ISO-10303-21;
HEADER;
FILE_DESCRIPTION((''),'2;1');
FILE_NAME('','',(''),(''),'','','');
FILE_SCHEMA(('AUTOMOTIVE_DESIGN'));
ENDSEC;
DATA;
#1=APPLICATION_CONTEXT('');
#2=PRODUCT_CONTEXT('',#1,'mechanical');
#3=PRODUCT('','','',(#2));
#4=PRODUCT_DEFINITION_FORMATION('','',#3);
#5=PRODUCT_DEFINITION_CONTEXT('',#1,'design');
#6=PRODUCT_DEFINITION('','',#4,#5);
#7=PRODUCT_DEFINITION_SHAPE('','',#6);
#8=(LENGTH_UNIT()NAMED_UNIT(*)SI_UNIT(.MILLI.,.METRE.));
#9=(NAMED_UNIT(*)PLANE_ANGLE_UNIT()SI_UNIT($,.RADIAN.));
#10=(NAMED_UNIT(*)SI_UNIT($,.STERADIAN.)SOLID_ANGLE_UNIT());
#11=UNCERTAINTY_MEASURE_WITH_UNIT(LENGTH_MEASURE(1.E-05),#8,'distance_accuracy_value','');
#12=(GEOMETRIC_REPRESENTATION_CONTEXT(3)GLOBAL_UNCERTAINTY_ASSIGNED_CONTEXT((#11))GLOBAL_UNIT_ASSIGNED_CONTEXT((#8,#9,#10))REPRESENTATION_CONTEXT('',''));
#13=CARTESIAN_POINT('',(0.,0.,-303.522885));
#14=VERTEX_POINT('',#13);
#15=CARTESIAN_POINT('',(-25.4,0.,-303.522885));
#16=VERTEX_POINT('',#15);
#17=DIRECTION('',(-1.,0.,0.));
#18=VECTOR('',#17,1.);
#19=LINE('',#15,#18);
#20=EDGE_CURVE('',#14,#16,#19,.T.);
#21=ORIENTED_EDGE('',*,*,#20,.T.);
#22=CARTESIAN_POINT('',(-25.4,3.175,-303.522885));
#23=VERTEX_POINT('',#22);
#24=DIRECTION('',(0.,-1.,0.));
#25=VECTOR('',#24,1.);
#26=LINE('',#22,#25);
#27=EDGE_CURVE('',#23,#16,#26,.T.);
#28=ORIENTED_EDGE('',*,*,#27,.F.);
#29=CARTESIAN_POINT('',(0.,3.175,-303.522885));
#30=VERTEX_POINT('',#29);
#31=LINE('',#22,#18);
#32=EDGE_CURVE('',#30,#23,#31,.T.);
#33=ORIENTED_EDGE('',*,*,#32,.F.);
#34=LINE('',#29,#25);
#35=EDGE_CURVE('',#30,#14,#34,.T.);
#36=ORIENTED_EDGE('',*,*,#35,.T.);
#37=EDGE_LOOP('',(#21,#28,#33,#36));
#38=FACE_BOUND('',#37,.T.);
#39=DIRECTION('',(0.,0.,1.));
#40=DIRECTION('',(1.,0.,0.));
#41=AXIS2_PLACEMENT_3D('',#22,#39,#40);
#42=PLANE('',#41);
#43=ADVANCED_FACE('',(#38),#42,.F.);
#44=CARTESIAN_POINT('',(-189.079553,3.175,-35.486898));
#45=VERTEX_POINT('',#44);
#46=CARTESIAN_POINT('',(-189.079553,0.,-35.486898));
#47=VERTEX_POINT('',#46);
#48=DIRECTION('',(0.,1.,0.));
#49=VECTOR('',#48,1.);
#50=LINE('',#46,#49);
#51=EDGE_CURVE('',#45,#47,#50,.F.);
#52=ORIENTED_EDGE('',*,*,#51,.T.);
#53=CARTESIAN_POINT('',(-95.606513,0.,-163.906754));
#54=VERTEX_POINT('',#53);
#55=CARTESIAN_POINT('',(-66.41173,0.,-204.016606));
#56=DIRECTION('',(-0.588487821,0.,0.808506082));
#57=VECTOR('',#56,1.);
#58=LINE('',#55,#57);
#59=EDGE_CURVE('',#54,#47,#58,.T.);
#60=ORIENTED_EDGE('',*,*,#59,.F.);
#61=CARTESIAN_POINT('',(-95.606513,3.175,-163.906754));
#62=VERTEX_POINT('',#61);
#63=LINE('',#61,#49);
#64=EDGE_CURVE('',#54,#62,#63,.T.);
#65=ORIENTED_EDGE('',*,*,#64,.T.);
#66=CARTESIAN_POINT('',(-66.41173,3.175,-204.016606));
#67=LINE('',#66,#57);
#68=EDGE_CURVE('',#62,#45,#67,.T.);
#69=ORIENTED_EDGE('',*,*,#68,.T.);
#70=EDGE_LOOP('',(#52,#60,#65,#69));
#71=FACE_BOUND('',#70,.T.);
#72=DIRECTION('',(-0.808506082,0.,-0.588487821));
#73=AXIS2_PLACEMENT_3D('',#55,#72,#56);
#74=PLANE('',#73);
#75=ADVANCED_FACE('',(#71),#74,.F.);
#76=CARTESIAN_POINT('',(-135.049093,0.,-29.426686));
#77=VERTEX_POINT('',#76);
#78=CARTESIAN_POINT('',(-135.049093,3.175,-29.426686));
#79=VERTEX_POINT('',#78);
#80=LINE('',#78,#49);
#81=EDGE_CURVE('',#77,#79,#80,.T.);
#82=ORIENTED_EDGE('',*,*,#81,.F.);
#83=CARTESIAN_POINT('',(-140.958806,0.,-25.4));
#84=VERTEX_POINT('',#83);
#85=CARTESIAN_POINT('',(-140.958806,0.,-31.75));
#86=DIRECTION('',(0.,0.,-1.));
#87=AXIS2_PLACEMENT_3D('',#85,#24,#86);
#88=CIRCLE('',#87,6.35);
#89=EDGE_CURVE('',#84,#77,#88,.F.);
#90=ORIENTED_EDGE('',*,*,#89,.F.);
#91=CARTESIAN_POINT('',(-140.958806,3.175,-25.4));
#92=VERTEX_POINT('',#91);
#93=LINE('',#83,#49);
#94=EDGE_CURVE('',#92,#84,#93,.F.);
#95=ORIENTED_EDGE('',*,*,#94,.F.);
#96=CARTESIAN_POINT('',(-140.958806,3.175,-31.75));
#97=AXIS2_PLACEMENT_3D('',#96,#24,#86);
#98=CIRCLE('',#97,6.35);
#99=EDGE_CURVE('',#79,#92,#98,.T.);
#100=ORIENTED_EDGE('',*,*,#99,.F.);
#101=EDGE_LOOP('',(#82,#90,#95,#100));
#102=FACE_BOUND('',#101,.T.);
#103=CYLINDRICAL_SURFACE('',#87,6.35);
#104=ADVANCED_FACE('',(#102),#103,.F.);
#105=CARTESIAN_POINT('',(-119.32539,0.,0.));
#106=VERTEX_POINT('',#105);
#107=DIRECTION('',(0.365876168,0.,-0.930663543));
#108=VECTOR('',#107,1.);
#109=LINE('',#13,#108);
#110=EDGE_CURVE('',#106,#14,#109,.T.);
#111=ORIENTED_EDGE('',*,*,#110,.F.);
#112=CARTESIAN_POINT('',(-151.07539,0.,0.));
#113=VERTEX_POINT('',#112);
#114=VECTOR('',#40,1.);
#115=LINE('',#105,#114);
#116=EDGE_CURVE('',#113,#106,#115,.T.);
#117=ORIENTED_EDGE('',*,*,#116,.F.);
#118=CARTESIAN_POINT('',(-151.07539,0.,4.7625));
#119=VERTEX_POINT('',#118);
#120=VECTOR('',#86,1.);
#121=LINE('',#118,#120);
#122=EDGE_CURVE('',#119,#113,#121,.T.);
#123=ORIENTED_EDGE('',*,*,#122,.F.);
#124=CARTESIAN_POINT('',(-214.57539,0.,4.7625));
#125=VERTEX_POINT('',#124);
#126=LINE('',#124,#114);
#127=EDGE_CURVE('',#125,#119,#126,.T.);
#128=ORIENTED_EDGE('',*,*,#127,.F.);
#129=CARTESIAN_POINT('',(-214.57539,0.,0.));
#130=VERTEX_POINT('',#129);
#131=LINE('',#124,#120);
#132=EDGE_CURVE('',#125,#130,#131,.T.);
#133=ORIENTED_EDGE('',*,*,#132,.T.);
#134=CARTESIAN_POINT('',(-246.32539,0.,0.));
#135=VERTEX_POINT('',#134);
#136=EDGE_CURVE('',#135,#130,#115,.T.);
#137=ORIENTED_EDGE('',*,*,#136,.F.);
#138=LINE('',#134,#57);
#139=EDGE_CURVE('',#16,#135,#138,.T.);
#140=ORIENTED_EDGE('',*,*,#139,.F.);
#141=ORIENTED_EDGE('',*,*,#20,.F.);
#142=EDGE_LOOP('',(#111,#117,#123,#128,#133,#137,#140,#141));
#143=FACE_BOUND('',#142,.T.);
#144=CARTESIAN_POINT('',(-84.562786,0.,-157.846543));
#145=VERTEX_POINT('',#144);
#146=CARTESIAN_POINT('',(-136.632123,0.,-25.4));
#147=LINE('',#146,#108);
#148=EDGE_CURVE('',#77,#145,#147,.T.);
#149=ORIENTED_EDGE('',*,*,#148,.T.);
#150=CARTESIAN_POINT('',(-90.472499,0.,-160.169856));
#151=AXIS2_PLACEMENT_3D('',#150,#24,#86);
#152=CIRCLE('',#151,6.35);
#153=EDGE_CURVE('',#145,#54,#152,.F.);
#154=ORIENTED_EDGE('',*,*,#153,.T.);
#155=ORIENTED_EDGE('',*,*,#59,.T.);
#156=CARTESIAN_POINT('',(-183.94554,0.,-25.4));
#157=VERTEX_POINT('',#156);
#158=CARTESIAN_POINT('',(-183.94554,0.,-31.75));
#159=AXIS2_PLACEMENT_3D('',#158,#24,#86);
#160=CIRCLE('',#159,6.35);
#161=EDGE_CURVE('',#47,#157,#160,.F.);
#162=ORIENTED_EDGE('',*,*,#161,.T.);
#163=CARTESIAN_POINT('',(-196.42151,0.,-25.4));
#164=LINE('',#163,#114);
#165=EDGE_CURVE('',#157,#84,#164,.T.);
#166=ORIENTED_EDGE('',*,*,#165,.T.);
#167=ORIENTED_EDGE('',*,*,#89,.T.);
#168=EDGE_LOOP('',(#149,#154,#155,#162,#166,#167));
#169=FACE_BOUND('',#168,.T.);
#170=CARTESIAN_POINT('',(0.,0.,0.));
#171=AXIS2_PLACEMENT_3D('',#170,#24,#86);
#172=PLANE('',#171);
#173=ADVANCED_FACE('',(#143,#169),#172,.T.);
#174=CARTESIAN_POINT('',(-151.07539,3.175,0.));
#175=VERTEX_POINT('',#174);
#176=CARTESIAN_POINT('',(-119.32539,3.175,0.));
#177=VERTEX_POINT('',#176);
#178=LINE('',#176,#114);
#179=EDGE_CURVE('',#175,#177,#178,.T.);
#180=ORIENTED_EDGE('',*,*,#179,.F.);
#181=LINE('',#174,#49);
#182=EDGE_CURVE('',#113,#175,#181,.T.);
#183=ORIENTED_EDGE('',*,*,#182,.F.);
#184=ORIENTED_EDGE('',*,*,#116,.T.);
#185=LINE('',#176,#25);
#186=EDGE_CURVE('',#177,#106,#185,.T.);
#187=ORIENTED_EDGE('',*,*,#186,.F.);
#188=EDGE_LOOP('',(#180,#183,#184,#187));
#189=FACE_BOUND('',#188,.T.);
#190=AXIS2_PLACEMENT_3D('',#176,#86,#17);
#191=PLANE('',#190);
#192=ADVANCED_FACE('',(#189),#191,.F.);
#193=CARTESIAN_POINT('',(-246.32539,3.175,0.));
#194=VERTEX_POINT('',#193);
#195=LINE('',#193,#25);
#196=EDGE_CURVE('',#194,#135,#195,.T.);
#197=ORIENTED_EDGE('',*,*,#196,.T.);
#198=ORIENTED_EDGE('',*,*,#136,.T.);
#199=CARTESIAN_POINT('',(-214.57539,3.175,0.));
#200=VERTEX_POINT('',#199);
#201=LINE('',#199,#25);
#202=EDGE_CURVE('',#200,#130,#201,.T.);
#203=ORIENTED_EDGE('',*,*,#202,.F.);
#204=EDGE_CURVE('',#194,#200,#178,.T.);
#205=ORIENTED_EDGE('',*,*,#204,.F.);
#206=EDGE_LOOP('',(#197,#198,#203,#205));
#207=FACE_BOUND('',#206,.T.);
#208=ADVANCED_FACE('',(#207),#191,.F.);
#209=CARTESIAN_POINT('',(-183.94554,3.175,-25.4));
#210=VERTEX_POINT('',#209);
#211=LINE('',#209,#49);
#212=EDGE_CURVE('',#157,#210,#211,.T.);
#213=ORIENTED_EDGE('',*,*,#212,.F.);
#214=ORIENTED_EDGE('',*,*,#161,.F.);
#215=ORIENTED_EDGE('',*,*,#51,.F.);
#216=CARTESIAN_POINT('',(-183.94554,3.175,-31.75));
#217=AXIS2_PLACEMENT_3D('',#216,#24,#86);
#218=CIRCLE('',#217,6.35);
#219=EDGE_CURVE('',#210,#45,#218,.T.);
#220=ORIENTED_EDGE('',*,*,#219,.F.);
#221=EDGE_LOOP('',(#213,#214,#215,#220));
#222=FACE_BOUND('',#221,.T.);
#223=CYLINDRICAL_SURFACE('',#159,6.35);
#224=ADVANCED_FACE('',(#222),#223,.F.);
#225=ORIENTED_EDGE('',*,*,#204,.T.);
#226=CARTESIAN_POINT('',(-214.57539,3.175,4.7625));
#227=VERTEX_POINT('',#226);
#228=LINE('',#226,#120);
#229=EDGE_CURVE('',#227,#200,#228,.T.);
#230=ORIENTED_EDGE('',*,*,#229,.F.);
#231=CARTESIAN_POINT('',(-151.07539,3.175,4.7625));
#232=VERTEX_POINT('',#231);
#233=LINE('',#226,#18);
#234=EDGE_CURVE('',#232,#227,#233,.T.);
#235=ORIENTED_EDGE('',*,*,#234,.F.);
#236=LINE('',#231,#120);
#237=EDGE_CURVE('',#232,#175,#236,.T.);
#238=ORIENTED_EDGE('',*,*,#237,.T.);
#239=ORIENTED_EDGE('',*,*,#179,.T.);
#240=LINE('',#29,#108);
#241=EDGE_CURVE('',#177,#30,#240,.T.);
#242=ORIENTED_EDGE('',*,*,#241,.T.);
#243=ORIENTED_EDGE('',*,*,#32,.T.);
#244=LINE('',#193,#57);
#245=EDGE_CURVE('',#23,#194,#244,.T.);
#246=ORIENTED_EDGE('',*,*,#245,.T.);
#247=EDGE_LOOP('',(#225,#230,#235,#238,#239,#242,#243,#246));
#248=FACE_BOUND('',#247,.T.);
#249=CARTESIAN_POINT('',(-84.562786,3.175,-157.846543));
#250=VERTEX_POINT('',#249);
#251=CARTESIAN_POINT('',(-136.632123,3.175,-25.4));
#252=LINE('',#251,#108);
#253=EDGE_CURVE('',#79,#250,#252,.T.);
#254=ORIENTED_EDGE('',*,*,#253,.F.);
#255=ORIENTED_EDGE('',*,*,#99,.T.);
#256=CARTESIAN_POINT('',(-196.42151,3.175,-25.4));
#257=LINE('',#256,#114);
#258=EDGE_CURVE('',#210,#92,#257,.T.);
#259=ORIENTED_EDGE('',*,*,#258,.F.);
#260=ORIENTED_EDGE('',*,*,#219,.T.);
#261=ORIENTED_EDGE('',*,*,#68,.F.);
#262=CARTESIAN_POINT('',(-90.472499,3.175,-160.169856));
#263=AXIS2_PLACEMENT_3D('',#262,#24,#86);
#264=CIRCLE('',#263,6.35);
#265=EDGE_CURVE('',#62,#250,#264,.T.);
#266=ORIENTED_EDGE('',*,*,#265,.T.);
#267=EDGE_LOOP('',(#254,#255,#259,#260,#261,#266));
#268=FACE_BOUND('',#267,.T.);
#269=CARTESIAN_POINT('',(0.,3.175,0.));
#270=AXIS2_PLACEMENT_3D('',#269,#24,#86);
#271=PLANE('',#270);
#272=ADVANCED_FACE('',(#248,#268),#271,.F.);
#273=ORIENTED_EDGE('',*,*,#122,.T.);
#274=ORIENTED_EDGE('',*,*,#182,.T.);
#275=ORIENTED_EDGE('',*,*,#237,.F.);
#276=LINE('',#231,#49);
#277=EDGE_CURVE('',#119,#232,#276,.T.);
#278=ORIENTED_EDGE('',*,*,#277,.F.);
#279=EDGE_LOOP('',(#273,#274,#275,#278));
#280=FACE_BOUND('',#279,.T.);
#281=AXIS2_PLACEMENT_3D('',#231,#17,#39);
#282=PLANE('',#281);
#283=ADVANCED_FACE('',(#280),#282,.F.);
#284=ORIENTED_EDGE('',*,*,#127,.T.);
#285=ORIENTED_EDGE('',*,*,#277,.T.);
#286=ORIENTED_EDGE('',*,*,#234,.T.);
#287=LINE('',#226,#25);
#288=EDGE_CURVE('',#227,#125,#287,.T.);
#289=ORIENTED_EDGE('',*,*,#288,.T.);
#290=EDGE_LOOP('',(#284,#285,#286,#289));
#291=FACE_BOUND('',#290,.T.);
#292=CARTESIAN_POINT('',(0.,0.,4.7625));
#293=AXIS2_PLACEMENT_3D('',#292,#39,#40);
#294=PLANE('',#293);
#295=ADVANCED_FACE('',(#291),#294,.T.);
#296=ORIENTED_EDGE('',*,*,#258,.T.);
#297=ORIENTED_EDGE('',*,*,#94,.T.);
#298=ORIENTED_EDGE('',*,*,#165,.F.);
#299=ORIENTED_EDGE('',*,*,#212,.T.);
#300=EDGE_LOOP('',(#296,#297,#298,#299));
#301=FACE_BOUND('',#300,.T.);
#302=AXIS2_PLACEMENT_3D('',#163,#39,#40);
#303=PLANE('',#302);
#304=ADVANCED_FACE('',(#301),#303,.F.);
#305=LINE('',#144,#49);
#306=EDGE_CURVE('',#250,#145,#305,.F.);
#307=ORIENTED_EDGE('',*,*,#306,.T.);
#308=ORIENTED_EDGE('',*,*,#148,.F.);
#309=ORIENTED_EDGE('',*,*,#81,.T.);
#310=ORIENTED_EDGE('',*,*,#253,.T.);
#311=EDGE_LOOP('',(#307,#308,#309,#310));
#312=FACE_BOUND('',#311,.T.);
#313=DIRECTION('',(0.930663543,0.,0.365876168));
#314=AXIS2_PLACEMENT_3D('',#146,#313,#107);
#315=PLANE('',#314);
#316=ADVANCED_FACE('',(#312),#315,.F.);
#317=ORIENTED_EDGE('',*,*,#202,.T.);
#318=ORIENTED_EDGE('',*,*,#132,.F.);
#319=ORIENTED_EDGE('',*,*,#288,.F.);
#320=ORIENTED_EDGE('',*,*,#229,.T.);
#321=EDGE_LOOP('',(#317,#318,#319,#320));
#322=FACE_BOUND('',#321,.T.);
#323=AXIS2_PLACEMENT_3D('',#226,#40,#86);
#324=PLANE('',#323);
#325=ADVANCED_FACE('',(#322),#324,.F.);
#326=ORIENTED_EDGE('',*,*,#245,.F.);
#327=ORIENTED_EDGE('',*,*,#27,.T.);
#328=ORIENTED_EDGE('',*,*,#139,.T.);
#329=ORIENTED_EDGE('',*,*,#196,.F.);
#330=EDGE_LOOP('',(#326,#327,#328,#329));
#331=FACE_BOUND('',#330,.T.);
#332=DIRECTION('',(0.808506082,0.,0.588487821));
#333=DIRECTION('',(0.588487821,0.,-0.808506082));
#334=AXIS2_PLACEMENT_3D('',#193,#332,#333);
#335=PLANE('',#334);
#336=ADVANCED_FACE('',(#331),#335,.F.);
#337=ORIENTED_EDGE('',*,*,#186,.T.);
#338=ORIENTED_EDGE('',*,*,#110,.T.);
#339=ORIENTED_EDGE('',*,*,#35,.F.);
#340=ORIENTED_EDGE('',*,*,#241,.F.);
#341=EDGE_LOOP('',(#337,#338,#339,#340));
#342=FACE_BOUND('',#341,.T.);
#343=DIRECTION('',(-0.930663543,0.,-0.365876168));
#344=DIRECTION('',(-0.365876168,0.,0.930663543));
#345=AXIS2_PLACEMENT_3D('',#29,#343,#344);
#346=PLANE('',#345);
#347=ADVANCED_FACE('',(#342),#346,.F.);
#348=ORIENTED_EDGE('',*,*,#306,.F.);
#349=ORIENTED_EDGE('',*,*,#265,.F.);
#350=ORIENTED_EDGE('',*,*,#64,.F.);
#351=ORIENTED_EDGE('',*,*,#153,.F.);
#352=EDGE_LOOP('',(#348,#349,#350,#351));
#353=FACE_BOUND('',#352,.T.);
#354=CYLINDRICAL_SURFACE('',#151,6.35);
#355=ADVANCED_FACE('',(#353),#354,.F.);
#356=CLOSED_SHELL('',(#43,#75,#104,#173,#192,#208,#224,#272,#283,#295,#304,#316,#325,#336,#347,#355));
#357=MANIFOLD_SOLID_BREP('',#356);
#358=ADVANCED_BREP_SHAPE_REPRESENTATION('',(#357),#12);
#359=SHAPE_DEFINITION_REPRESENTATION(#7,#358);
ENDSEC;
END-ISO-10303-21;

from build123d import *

# Parameters (mm, degrees)
BOSS_EXTRUDE1_DEPTH = 3.175
CUT_EXTRUDE1_DEPTH  = 3.175
FILLET1_R           = 6.35
SKETCH3_W           = 63.5
SKETCH3_H           = 3.175
BOSS_EXTRUDE2_DEPTH = 4.7625


with BuildPart() as part:
    # Sketch1 → Boss-Extrude1 (new body)
    with BuildSketch(Plane(origin=(0, 0, 0), x_dir=(1, 0, 0), z_dir=(0, 1, 0))):
        Polygon((-119.32539, 0), (-246.32539, 0), (-25.4, 303.52288513), (0, 303.52288513), align=None)
    extrude(amount=BOSS_EXTRUDE1_DEPTH)

    # Sketch2 → Cut-Extrude1 (cut)
    with BuildSketch(Plane(origin=(0, 3.175, 0), x_dir=(1, 0, 0), z_dir=(0, 1, 0))):
        Polygon((-136.632122874, 25.4), (-66.411730064, 204.016606412), (-196.421509772, 25.4), align=None)
    extrude(amount=-CUT_EXTRUDE1_DEPTH, mode=Mode.SUBTRACT)

    # Fillet1
    fillet1_edges = [part.edges().sort_by_distance(p)[0] for p in [
        (-136.632122874, 1.5875, -25.4),
        (-196.421509772, 1.5875, -25.4),
        (-66.411730064, 1.5875, -204.016606412),
    ]]
    fillet(fillet1_edges, radius=FILLET1_R)

    # Sketch3 → Boss-Extrude2 (add)
    with BuildSketch(Plane.XY):
        with Locations((-182.82539, 1.5875)):
            Rectangle(SKETCH3_W, SKETCH3_H)
    extrude(amount=BOSS_EXTRUDE2_DEPTH)


solid = part.part
